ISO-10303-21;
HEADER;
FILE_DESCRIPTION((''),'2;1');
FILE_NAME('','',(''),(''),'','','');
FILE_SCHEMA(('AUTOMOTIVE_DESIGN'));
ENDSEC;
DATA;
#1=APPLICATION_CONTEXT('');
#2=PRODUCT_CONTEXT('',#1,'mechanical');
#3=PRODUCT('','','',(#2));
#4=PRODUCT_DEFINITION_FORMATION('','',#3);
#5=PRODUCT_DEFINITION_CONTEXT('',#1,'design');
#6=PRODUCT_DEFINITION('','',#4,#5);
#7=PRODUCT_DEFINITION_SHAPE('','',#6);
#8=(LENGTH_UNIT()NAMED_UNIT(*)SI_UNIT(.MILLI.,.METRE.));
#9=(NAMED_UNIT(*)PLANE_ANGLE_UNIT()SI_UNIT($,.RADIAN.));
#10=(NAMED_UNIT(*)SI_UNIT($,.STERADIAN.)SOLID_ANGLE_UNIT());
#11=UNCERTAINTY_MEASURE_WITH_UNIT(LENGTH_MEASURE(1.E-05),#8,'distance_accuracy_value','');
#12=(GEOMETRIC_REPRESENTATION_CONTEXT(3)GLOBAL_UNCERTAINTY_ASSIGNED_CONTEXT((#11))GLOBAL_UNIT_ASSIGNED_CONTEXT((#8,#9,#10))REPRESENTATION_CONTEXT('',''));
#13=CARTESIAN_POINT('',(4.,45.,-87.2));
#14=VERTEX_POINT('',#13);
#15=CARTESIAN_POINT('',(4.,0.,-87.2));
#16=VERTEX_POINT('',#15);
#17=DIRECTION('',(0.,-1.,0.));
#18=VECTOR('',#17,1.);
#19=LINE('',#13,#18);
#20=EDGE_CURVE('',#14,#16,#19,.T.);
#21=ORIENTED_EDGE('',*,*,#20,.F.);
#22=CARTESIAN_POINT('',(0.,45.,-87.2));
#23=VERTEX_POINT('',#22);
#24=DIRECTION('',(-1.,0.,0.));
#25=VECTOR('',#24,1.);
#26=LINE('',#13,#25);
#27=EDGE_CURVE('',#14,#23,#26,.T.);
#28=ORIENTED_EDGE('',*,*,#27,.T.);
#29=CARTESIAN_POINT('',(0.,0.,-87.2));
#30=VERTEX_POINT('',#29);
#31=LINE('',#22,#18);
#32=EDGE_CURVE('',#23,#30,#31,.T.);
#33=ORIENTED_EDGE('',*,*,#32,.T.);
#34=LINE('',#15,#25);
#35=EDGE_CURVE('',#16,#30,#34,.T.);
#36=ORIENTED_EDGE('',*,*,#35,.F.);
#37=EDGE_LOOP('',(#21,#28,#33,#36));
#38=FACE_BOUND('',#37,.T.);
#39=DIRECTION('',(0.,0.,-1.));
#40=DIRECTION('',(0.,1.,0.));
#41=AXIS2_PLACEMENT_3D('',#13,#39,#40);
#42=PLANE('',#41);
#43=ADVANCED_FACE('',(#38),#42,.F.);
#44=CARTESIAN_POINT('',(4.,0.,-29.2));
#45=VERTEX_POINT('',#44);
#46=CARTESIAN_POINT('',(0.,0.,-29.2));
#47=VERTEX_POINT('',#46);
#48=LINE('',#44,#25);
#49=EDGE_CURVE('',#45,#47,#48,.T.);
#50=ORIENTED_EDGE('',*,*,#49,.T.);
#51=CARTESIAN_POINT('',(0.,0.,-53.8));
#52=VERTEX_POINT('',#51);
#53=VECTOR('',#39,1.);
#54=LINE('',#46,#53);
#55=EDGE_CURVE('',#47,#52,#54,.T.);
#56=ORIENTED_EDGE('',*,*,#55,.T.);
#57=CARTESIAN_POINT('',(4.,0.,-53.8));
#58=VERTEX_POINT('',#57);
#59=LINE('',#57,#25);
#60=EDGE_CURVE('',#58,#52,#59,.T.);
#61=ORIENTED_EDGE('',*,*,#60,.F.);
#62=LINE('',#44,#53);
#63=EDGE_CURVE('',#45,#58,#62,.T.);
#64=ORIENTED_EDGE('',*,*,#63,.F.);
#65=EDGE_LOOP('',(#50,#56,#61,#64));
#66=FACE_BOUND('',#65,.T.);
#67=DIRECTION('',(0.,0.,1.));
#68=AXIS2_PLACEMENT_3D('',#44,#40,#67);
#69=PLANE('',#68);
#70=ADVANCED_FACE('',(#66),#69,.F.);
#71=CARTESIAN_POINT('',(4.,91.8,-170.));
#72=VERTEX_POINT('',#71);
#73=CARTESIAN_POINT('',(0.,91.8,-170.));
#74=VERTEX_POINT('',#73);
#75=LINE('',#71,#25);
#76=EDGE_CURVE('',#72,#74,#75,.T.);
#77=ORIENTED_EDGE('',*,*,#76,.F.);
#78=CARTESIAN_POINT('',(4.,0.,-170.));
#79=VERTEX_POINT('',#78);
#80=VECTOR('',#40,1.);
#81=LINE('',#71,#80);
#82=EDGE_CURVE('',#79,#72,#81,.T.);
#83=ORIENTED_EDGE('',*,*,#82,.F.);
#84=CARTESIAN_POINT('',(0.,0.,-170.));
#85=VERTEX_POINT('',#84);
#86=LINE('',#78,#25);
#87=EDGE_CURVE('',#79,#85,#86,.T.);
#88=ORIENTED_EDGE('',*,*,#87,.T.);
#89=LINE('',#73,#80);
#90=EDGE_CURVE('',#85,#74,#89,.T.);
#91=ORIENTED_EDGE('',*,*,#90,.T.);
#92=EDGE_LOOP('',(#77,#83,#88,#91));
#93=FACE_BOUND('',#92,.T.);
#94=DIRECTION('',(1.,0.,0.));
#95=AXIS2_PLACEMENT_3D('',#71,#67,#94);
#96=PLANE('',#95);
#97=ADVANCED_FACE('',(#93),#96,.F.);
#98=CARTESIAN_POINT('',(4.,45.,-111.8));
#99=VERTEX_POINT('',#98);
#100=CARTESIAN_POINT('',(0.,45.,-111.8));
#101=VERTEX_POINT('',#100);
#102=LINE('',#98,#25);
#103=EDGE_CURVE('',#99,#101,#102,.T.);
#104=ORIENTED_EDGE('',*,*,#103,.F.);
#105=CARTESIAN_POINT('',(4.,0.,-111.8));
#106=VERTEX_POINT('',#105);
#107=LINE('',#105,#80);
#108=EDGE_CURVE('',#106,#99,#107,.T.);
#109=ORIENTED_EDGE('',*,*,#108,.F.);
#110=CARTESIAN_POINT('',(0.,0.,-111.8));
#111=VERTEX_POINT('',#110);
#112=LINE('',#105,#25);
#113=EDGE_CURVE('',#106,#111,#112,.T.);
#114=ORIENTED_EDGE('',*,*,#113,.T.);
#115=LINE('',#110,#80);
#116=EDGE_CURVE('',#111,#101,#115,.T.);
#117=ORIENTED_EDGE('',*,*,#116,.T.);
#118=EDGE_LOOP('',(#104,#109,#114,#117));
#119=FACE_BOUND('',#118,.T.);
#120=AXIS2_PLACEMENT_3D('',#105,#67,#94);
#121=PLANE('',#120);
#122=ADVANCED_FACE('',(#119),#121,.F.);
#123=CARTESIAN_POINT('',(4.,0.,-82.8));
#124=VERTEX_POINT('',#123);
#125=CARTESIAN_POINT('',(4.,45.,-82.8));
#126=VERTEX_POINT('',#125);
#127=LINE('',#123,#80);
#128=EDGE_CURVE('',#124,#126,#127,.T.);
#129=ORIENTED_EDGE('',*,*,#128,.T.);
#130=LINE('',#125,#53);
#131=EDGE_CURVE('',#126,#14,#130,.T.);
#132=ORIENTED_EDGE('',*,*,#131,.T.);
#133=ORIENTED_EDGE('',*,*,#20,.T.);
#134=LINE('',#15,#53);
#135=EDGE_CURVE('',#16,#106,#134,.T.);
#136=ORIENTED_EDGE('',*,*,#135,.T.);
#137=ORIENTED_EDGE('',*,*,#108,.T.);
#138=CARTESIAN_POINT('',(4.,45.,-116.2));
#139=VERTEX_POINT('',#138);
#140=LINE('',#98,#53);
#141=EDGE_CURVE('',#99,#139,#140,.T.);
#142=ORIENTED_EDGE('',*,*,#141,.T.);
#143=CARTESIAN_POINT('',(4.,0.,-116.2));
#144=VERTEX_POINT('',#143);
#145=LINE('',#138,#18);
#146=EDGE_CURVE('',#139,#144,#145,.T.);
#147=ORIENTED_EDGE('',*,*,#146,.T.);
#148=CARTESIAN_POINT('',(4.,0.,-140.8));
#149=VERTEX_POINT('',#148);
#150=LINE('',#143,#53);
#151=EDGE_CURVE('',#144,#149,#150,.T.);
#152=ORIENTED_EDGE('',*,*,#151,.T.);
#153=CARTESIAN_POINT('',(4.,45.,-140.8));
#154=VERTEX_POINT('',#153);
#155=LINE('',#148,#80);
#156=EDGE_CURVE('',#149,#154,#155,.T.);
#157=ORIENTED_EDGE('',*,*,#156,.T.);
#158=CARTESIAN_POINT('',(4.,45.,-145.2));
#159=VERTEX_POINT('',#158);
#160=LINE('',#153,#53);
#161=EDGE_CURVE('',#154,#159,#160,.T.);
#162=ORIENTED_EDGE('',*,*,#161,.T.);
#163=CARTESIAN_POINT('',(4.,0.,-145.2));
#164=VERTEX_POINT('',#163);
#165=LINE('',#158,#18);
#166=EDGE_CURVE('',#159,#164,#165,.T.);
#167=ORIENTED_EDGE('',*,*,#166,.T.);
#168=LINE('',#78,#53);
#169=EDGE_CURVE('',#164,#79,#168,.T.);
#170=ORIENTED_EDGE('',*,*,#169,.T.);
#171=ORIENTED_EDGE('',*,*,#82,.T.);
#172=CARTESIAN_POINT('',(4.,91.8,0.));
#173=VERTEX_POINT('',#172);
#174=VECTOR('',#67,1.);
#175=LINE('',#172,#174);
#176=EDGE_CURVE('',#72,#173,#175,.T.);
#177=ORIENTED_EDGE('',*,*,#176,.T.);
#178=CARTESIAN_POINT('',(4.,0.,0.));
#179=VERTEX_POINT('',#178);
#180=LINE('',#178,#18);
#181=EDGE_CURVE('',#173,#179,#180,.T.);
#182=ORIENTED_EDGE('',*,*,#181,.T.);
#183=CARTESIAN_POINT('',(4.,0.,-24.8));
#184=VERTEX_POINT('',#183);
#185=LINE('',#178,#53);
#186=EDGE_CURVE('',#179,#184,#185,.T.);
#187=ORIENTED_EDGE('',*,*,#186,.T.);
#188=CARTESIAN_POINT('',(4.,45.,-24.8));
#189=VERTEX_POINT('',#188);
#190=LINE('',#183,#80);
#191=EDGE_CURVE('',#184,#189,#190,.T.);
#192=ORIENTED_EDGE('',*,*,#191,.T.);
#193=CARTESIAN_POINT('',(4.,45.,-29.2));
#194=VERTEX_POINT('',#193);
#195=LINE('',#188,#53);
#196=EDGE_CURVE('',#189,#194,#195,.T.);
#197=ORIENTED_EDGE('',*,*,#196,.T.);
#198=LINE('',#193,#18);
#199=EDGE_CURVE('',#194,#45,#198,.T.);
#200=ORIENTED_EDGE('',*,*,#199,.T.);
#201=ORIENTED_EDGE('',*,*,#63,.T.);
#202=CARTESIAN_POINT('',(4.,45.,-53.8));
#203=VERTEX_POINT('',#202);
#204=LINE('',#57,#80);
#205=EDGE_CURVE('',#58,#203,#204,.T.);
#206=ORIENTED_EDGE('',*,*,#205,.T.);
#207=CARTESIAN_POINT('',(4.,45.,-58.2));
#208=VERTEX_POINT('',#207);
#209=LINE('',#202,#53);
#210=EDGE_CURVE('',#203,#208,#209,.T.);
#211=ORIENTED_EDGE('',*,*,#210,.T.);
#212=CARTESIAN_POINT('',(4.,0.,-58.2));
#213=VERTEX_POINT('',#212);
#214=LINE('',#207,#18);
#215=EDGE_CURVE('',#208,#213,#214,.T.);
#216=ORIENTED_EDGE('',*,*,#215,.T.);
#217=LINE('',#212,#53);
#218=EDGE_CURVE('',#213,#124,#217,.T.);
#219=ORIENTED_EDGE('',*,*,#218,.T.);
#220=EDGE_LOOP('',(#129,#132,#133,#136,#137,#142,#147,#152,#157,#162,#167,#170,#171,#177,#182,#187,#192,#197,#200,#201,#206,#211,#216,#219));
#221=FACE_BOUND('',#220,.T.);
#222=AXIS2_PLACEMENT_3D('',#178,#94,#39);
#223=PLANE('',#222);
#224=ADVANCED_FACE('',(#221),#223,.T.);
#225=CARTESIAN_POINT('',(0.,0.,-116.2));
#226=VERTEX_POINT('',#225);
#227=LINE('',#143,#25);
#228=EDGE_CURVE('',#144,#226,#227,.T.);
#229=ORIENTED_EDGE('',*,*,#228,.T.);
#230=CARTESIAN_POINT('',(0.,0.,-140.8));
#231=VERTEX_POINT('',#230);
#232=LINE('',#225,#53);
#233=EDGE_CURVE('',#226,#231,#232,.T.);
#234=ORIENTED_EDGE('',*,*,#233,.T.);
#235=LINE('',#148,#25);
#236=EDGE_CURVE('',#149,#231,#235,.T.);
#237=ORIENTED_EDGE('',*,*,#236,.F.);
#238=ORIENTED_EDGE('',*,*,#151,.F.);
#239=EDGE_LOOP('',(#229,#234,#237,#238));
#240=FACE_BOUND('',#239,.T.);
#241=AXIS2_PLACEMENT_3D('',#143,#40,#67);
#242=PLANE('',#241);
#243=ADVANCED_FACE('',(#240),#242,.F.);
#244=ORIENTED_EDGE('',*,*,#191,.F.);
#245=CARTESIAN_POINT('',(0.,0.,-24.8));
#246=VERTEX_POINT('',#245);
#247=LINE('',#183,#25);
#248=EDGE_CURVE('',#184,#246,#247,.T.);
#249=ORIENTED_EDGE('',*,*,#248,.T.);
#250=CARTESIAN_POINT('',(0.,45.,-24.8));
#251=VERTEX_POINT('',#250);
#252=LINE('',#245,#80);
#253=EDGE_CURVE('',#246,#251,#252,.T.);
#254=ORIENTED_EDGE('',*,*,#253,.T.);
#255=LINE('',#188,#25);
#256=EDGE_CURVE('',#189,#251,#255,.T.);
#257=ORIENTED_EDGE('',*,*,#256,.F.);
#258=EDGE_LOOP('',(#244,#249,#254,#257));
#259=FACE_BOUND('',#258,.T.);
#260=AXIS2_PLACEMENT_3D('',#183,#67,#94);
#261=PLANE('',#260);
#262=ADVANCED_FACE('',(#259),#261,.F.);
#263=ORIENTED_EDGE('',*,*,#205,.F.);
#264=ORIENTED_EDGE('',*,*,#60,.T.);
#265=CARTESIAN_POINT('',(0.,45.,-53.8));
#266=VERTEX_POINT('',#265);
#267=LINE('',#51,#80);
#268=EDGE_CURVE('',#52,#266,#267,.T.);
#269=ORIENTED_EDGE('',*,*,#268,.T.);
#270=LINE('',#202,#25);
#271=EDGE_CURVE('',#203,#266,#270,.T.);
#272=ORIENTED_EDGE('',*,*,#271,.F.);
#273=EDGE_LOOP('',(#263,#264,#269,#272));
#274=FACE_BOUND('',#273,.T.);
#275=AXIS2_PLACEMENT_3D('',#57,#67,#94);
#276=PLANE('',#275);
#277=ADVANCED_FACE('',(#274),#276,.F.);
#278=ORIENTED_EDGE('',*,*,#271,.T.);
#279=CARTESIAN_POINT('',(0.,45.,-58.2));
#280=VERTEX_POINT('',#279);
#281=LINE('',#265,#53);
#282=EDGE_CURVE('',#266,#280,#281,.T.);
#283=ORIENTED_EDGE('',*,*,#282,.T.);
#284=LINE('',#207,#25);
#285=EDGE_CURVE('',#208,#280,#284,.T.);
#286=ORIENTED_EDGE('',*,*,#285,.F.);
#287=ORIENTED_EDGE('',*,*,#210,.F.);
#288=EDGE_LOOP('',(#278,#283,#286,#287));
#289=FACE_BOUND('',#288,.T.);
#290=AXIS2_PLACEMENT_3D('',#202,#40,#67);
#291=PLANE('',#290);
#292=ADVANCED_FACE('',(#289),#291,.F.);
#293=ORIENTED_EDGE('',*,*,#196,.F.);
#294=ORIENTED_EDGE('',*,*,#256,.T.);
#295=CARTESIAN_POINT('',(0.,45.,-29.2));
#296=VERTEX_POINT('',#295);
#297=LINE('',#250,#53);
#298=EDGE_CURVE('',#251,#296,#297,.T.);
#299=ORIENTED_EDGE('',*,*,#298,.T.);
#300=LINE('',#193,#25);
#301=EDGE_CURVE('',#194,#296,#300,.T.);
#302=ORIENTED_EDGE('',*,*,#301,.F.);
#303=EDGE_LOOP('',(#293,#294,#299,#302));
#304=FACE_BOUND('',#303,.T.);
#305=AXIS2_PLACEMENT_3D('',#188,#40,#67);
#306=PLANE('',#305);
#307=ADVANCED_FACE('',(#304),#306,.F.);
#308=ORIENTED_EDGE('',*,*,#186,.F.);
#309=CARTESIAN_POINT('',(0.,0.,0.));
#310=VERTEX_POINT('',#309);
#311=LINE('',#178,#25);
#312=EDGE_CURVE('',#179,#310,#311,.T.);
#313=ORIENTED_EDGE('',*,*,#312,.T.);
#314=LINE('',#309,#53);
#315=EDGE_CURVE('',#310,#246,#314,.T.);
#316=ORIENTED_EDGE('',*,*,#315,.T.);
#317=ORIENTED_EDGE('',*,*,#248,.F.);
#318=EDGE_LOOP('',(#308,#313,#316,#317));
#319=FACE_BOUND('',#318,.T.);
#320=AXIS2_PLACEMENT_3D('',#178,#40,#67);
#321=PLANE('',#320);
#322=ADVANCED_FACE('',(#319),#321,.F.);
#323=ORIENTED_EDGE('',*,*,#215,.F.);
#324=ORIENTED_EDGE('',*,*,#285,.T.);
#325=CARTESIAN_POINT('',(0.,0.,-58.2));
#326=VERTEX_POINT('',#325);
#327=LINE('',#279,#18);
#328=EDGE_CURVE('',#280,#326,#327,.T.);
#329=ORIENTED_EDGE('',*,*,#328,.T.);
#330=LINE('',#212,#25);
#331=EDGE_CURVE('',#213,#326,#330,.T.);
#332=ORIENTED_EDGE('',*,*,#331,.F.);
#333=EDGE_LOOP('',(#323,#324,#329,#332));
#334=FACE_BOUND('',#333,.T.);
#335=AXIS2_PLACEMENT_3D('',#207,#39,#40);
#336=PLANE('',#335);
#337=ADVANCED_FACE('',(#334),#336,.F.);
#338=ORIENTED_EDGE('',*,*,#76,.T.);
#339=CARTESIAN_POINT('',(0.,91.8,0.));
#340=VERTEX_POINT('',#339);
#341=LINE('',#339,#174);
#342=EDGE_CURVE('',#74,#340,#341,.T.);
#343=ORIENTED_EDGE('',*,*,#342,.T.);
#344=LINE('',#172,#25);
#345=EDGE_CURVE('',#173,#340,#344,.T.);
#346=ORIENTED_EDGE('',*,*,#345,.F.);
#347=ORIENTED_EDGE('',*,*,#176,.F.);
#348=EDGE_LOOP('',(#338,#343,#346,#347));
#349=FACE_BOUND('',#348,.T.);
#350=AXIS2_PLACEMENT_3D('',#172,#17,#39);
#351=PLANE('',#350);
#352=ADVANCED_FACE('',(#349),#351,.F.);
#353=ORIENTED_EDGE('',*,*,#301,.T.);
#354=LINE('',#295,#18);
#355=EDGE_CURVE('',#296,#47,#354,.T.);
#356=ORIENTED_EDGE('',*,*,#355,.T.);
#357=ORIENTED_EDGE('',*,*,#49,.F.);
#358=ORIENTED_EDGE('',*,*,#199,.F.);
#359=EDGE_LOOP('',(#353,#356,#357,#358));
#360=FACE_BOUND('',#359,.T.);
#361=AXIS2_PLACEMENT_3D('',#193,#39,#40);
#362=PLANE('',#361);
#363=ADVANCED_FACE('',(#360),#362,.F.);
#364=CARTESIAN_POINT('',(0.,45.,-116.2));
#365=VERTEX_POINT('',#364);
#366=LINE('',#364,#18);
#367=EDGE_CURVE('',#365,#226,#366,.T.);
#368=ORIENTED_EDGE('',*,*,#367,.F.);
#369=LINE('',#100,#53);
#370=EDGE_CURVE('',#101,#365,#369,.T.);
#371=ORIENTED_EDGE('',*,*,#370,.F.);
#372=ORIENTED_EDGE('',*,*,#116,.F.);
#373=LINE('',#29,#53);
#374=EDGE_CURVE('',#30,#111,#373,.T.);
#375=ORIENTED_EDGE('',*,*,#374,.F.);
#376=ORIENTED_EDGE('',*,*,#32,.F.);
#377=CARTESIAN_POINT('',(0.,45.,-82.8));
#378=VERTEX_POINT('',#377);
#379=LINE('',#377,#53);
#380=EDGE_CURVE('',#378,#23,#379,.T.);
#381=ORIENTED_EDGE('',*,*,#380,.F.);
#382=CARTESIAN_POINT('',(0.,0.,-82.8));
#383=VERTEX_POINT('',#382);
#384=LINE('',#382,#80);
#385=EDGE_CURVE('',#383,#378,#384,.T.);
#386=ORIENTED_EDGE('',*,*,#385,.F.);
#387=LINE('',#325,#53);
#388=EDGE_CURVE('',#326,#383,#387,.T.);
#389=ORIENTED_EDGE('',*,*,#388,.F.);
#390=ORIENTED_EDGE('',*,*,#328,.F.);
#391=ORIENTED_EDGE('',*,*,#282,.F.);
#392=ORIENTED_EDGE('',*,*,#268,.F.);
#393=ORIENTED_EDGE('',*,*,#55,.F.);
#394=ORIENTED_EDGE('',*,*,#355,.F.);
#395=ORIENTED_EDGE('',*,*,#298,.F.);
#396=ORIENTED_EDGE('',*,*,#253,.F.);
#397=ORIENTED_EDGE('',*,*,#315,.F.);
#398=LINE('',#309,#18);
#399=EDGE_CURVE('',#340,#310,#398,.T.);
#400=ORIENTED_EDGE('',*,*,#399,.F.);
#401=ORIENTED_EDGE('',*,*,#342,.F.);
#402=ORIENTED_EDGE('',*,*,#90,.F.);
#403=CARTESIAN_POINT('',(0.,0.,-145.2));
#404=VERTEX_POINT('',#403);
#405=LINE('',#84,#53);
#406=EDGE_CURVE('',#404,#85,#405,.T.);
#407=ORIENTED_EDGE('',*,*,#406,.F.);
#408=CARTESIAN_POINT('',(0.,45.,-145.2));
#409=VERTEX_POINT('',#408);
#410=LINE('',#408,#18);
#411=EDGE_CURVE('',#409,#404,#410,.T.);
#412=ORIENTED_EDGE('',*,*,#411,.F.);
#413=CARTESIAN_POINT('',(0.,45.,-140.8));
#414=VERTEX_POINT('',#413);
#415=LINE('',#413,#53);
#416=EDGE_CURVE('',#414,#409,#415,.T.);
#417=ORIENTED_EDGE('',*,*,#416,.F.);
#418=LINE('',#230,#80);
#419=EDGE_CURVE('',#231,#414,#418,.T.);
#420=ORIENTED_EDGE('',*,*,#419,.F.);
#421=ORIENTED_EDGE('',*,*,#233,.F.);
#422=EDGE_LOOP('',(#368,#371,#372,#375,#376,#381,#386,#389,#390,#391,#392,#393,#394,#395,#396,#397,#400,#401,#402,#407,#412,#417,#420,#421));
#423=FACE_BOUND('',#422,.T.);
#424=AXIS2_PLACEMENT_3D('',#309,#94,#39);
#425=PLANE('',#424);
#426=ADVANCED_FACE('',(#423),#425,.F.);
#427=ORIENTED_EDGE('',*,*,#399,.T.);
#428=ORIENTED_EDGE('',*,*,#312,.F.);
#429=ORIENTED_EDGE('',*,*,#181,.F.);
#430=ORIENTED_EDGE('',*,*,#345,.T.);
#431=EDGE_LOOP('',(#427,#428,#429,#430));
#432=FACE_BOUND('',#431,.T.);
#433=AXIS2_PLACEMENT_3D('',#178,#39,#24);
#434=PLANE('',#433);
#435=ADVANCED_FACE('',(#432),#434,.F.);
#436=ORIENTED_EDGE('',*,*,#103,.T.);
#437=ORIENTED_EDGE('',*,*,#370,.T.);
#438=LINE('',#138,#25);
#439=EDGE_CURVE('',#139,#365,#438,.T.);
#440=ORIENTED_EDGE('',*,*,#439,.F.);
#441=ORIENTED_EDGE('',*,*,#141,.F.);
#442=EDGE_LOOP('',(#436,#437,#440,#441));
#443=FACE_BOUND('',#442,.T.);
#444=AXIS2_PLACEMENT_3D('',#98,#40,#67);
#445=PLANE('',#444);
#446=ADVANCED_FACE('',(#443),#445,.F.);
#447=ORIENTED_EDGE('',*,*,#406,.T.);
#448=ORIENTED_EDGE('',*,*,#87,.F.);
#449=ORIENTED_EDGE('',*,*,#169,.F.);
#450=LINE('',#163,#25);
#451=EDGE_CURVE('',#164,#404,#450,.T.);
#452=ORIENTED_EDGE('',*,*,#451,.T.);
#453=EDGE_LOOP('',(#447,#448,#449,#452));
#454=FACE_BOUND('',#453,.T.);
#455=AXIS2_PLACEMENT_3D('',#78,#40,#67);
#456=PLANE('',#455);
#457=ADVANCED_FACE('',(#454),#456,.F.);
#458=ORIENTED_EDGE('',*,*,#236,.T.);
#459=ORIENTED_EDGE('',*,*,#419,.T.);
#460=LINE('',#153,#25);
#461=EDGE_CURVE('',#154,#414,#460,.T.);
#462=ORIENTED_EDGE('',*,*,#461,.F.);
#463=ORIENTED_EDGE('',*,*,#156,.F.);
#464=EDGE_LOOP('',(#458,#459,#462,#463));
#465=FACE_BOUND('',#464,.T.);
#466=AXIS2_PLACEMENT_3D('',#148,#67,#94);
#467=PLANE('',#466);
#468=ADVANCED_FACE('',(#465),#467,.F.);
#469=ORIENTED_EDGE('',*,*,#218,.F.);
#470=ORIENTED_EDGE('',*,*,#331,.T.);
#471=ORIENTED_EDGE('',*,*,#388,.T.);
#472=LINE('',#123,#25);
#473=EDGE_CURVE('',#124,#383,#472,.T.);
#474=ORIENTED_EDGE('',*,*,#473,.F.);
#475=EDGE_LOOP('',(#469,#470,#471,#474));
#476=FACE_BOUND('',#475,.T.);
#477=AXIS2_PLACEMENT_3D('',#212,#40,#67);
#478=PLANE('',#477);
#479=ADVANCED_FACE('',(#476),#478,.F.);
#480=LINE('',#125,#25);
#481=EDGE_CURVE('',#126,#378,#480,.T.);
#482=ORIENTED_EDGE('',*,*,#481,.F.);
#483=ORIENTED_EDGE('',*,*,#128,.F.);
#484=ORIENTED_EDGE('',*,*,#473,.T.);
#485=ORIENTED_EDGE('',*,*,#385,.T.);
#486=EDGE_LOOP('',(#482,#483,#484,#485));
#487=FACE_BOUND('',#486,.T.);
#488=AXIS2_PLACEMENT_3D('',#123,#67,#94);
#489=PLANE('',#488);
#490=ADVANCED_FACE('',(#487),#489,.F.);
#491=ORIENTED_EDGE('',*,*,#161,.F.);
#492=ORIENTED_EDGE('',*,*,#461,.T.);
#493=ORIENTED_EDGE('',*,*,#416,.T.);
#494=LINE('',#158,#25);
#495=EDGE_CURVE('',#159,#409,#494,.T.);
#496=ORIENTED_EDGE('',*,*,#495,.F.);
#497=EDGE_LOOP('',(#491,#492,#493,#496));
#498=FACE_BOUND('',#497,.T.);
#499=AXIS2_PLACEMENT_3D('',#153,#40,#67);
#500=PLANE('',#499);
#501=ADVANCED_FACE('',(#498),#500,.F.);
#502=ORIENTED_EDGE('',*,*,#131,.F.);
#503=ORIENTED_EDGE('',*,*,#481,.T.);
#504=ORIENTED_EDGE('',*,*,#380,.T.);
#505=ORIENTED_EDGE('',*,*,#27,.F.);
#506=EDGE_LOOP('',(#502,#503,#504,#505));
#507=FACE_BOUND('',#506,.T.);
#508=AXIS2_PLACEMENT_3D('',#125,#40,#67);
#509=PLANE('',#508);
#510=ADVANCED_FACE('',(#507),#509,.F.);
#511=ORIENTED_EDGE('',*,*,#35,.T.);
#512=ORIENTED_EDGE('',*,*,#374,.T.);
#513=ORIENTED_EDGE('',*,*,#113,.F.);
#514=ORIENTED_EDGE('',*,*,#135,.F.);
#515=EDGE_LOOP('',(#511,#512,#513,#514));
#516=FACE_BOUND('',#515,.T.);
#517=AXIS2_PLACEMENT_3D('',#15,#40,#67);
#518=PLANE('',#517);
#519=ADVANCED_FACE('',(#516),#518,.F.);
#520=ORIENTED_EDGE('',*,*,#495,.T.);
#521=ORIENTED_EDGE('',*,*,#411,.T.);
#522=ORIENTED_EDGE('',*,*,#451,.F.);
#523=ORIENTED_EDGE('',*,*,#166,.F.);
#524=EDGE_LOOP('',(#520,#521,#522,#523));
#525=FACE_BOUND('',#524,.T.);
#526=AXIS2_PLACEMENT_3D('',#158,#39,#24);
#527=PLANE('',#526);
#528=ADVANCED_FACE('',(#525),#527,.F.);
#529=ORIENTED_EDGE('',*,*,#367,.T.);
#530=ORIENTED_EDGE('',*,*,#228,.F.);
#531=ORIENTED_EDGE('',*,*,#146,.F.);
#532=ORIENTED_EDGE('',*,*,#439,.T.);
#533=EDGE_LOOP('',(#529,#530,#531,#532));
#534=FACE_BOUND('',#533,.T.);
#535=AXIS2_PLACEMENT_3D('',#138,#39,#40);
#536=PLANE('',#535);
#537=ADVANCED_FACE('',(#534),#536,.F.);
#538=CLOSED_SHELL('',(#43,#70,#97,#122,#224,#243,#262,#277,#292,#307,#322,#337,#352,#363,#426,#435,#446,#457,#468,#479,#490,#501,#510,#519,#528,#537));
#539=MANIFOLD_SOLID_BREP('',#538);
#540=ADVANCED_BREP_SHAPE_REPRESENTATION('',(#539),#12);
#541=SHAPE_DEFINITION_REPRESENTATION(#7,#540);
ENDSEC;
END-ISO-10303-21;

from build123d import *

# Parameters (mm, degrees)
EXTRUDE_1_DEPTH = 4


with BuildPart() as part:
    # Эскиз1 → Бобышка-Вытянуть1 (new body)
    with BuildSketch(Plane(origin=(0, 0, 0), x_dir=(0, 0, -1), z_dir=(1, 0, 0))):
        Polygon((0, 0), (0, 91.8), (170, 91.8), (170, 0), (145.2, 0), (145.2, 45), (140.8, 45), (140.8, 0), (116.2, 0), (116.2, 45), (111.8, 45), (111.8, 0), (87.2, 0), (87.2, 45), (82.8, 45), (82.8, 0), (58.2, 0), (58.2, 45), (53.8, 45), (53.8, 0), (29.2, 0), (29.2, 45), (24.8, 45), (24.8, 0), align=None)
    extrude(amount=EXTRUDE_1_DEPTH)


solid = part.part
